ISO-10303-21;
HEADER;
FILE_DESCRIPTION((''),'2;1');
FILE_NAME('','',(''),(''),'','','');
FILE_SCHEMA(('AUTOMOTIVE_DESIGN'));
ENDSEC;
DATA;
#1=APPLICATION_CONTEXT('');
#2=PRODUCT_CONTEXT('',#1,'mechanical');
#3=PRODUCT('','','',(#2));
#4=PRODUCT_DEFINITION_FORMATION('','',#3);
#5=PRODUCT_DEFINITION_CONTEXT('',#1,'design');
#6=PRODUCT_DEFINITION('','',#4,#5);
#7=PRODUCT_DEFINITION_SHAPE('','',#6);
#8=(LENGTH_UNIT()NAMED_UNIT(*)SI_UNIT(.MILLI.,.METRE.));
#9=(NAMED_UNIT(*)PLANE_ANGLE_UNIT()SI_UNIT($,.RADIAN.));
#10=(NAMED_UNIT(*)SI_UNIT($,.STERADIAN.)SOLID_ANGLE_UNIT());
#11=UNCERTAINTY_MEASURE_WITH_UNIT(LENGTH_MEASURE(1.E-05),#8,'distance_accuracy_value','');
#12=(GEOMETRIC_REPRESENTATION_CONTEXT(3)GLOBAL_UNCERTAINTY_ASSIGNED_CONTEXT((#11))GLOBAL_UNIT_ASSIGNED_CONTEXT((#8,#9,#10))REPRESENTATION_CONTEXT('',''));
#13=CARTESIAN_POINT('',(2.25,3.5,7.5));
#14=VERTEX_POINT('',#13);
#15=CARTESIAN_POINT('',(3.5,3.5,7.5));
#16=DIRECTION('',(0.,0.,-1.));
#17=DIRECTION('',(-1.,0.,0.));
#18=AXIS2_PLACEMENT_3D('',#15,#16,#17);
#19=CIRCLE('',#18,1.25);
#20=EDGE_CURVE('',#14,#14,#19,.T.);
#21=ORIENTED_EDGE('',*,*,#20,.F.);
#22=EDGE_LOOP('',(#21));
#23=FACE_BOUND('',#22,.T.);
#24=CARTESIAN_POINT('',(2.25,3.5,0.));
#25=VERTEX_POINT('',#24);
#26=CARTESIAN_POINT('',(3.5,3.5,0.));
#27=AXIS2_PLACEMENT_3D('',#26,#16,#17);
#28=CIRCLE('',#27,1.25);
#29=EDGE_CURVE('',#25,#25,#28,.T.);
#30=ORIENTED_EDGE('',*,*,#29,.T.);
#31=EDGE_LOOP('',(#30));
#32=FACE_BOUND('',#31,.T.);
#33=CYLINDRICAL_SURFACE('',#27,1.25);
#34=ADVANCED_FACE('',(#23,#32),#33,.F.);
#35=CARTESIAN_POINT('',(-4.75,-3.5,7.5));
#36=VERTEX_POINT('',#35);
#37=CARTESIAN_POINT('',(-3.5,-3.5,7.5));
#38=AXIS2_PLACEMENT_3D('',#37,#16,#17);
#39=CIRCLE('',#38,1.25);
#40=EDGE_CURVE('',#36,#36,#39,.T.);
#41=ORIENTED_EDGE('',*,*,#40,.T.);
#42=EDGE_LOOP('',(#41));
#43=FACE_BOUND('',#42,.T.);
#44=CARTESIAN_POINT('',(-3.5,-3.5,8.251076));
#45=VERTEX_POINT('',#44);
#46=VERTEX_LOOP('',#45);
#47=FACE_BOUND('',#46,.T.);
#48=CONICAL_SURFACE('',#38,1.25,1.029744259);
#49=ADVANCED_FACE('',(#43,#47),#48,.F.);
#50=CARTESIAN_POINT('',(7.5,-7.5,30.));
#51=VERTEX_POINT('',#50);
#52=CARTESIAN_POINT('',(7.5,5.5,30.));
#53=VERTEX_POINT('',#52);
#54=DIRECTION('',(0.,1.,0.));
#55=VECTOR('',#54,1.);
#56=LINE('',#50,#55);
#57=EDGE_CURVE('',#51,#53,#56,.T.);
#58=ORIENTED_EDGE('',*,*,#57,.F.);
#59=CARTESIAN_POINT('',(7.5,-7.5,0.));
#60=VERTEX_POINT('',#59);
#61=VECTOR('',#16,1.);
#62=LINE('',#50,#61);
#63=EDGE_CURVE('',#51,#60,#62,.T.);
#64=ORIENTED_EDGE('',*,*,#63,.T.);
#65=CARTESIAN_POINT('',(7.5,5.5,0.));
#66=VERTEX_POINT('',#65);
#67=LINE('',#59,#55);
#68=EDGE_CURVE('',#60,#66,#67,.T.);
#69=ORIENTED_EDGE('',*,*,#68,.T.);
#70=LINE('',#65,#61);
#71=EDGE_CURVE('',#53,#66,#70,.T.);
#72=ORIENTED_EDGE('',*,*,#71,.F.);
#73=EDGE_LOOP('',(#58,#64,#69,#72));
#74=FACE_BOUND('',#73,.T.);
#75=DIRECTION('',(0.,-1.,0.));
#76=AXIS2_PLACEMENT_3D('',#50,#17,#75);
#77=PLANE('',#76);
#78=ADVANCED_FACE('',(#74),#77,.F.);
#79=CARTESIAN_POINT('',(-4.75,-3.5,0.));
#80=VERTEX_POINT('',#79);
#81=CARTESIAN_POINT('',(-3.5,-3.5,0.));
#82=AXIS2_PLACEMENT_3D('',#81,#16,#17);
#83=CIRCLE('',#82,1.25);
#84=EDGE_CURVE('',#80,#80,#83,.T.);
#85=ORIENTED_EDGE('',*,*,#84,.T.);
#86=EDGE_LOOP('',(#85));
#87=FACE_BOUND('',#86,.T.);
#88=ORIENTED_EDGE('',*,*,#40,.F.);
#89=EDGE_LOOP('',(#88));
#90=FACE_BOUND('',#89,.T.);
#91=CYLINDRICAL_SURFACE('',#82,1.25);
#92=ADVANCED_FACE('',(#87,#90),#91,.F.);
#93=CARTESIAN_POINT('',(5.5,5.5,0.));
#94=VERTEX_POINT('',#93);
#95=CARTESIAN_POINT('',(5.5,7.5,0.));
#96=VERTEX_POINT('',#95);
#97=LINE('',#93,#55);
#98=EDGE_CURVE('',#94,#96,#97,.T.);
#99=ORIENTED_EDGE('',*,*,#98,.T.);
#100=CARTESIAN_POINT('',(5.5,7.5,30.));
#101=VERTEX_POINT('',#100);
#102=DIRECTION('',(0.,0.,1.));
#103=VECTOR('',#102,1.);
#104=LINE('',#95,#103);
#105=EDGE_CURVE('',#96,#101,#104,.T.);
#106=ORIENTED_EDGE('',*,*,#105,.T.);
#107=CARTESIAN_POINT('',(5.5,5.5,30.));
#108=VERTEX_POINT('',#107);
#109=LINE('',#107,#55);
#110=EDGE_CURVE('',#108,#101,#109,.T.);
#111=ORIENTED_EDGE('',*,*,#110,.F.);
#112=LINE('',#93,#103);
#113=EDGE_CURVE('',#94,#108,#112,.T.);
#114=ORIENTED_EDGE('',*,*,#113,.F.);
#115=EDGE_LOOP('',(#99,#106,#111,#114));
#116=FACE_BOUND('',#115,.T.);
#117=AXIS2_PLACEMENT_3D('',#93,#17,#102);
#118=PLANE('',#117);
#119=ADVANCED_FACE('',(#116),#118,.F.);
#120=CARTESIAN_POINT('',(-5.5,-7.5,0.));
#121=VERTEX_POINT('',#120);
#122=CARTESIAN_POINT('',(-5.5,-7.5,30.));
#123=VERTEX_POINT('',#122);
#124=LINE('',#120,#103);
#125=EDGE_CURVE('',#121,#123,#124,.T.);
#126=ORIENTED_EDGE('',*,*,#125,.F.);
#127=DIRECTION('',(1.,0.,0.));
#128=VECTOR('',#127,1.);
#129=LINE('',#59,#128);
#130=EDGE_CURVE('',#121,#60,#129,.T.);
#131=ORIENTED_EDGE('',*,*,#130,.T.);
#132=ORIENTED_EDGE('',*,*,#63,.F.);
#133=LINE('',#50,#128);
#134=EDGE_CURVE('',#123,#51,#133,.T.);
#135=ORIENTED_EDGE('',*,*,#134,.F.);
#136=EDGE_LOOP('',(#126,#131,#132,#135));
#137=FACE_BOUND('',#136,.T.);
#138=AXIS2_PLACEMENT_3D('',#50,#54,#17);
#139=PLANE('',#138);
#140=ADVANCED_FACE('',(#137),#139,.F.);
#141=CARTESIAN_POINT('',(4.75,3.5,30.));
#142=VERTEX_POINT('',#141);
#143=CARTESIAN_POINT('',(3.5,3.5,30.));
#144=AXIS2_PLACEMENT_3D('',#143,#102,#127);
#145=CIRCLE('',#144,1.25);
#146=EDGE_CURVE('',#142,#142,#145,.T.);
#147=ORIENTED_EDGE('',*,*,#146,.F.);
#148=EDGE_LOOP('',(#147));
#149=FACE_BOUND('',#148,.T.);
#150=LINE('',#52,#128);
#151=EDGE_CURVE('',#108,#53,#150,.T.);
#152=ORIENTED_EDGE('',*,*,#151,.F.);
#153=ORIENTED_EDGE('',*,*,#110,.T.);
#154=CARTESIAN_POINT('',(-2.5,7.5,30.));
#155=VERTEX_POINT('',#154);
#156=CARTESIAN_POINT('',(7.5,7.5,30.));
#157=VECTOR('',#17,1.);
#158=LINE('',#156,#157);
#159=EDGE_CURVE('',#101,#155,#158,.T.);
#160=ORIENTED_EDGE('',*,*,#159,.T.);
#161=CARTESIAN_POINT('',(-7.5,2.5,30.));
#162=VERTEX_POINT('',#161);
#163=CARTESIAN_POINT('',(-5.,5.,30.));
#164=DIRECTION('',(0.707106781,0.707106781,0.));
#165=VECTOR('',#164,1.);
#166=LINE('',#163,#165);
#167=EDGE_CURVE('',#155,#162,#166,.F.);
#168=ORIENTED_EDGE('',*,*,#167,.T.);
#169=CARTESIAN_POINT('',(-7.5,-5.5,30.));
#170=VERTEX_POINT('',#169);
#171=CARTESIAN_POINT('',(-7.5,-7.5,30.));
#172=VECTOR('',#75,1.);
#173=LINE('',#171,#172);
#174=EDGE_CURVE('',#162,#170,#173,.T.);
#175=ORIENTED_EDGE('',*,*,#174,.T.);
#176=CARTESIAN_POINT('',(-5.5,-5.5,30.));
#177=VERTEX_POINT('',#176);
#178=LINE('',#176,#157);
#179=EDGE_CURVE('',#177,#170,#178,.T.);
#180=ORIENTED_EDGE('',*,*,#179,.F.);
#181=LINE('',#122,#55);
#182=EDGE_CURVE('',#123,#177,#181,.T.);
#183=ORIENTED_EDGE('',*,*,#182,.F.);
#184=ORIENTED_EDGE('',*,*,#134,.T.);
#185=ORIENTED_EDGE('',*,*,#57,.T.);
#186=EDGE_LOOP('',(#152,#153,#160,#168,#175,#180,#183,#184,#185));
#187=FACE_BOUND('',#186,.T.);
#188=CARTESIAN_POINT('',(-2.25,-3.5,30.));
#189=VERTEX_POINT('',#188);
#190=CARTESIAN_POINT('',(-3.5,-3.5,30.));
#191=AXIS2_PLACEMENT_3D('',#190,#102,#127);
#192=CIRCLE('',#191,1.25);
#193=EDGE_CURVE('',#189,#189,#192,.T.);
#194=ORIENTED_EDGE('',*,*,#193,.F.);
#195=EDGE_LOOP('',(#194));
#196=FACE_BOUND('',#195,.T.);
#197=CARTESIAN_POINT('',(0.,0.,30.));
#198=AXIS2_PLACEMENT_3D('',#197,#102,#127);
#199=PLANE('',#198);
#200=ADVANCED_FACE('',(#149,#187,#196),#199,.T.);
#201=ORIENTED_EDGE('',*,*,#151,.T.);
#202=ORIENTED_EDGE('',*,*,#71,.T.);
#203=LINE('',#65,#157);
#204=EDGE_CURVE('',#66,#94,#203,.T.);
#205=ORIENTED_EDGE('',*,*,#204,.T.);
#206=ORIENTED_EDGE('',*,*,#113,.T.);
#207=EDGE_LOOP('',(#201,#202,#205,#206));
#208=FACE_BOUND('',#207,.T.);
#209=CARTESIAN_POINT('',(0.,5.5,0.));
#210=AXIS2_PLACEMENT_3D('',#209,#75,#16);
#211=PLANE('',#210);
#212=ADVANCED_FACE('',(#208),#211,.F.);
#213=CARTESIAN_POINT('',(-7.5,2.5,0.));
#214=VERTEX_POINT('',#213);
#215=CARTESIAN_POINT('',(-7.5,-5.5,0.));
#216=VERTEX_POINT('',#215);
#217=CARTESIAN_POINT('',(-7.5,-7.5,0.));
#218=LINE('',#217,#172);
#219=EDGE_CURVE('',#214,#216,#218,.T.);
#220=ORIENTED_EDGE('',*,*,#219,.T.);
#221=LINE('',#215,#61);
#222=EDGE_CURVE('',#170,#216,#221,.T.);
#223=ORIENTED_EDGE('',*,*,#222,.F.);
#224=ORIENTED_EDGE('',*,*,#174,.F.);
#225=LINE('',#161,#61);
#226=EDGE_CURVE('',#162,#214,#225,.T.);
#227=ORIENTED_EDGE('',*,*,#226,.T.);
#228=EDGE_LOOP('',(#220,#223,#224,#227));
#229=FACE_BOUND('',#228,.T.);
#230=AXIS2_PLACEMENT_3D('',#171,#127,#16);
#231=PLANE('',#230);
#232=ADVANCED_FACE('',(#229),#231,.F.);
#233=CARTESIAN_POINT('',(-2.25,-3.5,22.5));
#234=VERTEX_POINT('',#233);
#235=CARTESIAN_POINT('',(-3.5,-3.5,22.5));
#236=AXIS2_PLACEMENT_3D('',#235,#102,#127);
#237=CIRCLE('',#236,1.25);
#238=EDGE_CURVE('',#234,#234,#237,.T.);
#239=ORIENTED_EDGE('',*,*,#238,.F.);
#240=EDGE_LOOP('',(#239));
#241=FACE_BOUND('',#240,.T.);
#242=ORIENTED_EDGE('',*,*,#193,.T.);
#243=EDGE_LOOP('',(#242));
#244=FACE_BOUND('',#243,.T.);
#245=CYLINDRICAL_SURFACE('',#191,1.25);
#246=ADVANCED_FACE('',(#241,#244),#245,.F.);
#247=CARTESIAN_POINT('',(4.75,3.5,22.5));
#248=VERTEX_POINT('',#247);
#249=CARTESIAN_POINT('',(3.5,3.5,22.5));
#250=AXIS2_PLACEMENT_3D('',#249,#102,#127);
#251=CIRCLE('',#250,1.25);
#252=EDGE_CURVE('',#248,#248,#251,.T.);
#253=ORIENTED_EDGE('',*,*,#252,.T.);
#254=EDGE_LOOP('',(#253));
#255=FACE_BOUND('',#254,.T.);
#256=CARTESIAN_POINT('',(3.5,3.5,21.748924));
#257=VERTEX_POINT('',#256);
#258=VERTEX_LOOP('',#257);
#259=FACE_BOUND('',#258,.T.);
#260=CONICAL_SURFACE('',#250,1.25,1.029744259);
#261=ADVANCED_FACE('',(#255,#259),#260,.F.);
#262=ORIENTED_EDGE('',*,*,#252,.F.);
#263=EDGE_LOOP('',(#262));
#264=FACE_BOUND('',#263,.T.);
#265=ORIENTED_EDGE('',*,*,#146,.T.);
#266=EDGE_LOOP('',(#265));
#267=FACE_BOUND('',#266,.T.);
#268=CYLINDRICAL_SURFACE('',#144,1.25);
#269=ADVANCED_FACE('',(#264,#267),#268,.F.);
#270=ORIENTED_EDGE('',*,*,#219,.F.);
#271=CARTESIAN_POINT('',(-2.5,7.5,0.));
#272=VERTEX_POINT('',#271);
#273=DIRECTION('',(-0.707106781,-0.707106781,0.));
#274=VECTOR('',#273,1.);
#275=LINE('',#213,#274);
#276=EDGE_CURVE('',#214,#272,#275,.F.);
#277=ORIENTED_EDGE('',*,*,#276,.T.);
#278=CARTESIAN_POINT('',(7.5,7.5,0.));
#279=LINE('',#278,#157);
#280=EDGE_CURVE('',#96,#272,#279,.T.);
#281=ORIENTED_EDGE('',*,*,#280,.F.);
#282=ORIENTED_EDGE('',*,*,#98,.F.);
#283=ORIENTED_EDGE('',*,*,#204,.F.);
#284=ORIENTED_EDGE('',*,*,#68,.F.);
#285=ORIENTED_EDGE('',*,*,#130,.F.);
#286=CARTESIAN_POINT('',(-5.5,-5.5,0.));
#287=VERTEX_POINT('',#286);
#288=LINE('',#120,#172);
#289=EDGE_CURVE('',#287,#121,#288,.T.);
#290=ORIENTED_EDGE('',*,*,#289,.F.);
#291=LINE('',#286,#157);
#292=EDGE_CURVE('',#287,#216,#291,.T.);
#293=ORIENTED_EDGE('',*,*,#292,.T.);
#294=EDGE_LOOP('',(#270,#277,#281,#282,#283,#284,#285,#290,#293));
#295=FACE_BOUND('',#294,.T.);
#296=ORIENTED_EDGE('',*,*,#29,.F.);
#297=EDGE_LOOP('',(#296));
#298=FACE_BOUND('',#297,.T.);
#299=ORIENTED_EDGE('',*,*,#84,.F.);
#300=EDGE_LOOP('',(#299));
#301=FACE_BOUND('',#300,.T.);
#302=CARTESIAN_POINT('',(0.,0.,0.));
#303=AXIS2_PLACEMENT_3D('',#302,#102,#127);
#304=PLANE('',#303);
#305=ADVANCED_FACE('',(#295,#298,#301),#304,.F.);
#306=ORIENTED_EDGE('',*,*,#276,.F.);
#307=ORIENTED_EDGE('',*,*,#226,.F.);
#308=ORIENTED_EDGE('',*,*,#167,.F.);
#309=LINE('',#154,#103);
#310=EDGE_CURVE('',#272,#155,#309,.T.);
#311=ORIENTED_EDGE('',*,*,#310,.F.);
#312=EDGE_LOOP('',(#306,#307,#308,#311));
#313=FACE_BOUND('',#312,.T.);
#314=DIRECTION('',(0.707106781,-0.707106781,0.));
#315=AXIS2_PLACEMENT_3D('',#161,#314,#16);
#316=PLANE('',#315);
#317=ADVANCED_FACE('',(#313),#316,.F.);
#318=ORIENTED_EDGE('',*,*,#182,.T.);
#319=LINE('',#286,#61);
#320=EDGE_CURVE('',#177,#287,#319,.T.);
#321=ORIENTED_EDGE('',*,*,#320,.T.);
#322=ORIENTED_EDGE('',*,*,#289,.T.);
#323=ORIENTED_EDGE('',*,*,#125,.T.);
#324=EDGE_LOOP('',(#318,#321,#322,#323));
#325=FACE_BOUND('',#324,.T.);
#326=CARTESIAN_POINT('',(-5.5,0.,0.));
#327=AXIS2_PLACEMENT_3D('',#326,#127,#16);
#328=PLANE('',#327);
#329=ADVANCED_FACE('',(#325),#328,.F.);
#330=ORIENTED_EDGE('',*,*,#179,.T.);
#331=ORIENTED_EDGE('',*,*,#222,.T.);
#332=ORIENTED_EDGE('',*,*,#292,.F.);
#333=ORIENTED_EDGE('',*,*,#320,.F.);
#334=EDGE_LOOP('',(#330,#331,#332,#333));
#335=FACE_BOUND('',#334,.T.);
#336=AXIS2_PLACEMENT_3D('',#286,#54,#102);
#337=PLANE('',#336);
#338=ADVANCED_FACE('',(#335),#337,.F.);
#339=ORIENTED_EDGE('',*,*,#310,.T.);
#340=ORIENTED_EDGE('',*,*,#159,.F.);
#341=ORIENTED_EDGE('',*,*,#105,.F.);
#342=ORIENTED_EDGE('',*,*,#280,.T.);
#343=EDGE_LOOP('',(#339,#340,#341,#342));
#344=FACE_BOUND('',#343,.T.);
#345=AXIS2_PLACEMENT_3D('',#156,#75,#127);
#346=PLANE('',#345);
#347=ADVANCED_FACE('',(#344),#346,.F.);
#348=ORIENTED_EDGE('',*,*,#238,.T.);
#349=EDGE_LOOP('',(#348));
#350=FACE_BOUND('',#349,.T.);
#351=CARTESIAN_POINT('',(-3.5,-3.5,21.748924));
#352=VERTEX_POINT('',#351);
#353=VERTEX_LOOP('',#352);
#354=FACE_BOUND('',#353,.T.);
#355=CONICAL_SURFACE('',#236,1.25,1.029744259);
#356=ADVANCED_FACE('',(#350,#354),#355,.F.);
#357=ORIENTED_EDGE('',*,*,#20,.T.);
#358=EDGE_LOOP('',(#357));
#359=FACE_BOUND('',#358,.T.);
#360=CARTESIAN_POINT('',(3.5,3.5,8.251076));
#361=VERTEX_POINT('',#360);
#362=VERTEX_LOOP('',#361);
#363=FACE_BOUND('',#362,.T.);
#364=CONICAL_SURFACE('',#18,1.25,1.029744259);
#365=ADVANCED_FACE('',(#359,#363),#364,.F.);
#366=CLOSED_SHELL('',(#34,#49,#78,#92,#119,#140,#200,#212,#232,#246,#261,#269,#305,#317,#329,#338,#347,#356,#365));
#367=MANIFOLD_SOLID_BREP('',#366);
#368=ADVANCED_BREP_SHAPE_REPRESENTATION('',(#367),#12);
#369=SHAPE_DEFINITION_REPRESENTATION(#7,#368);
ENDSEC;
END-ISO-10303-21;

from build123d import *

# Parameters (mm, degrees)
SKETCH_1_W                  = 15
SKETCH_1_H                  = 15
EXTRUDE_1_DEPTH             = 30
CHAMFER_1_SIZE              = 5
HOLE_WIZARD_M3_2_AT_2_COUNT = 2
HOLE_WIZARD_M3_2_AT_2_PITCH = 9.899494937
SKETCH_5_W                  = 2
SKETCH_5_H                  = 30
CUT_EXTRUDE_1_DEPTH         = 2
SKETCH_6_W                  = 30
SKETCH_6_H                  = 2
CUT_EXTRUDE_2_DEPTH         = 2


with BuildPart() as part:
    # 草图1 → 凸台-拉伸1 (new body)
    with BuildSketch(Plane.XY):
        Rectangle(SKETCH_1_W, SKETCH_1_H)
    extrude(amount=EXTRUDE_1_DEPTH)

    # 倒角1
    chamfer_1_edges = [part.edges().sort_by_distance(p)[0] for p in [
        (-7.5, 7.5, 15),
    ]]
    chamfer(chamfer_1_edges, length=CHAMFER_1_SIZE)

    # 草图3 → M3 螺纹孔2 (revolve, cut)
    with BuildSketch(Plane(origin=(-3.5, -3.5, 30), x_dir=(0, -1, 0), z_dir=(1, 0, 0))):
        Polygon((0, 0), (0, 8.251075774), (1.25, 7.5), (1.25, 0), align=None)
    hole_wizard_m3_2 = revolve(axis=Axis((-3.5, -3.5, 36.35), (0, 0, -1)), mode=Mode.SUBTRACT)

    # M3 螺纹孔2 at 2: M3 螺纹孔2 ×2
    with Locations(*[Vector(0.707106781, 0.707106781, 0) * (i * HOLE_WIZARD_M3_2_AT_2_PITCH) for i in range(1, HOLE_WIZARD_M3_2_AT_2_COUNT)]):
        add(hole_wizard_m3_2, mode=Mode.SUBTRACT)

    # 镜向1: M3 螺纹孔2 across plane
    add(hole_wizard_m3_2.mirror(Plane(origin=(0, 0, 15), x_dir=(1, 0, 0), z_dir=(0, 0, -1))), mode=Mode.SUBTRACT)

    # 镜向1 copy 1 sketch → 镜向1 copy 1 (revolve, cut)
    with BuildSketch(Plane(origin=(3.5, 3.5, 0), x_dir=(0, -1, 0), z_dir=(1, 0, 0))):
        Polygon((0, 0), (0, -8.251075774), (1.25, -7.5), (1.25, 0), align=None)
    revolve(axis=Axis((3.5, 3.5, -6.35), (0, 0, -1)), mode=Mode.SUBTRACT)

    # 草图5 → 切除-拉伸1 (cut)
    with BuildSketch(Plane(origin=(0, 7.5, 0), x_dir=(1, 0, 0), z_dir=(0, 1, 0))):
        with Locations((6.5, -15)):
            Rectangle(SKETCH_5_W, SKETCH_5_H)
    extrude(amount=-CUT_EXTRUDE_1_DEPTH, mode=Mode.SUBTRACT)

    # 草图6 → 切除-拉伸2 (cut)
    with BuildSketch(Plane.ZY.offset(7.5)):
        with Locations((15, -6.5)):
            Rectangle(SKETCH_6_W, SKETCH_6_H)
    extrude(amount=-CUT_EXTRUDE_2_DEPTH, mode=Mode.SUBTRACT)


solid = part.part
